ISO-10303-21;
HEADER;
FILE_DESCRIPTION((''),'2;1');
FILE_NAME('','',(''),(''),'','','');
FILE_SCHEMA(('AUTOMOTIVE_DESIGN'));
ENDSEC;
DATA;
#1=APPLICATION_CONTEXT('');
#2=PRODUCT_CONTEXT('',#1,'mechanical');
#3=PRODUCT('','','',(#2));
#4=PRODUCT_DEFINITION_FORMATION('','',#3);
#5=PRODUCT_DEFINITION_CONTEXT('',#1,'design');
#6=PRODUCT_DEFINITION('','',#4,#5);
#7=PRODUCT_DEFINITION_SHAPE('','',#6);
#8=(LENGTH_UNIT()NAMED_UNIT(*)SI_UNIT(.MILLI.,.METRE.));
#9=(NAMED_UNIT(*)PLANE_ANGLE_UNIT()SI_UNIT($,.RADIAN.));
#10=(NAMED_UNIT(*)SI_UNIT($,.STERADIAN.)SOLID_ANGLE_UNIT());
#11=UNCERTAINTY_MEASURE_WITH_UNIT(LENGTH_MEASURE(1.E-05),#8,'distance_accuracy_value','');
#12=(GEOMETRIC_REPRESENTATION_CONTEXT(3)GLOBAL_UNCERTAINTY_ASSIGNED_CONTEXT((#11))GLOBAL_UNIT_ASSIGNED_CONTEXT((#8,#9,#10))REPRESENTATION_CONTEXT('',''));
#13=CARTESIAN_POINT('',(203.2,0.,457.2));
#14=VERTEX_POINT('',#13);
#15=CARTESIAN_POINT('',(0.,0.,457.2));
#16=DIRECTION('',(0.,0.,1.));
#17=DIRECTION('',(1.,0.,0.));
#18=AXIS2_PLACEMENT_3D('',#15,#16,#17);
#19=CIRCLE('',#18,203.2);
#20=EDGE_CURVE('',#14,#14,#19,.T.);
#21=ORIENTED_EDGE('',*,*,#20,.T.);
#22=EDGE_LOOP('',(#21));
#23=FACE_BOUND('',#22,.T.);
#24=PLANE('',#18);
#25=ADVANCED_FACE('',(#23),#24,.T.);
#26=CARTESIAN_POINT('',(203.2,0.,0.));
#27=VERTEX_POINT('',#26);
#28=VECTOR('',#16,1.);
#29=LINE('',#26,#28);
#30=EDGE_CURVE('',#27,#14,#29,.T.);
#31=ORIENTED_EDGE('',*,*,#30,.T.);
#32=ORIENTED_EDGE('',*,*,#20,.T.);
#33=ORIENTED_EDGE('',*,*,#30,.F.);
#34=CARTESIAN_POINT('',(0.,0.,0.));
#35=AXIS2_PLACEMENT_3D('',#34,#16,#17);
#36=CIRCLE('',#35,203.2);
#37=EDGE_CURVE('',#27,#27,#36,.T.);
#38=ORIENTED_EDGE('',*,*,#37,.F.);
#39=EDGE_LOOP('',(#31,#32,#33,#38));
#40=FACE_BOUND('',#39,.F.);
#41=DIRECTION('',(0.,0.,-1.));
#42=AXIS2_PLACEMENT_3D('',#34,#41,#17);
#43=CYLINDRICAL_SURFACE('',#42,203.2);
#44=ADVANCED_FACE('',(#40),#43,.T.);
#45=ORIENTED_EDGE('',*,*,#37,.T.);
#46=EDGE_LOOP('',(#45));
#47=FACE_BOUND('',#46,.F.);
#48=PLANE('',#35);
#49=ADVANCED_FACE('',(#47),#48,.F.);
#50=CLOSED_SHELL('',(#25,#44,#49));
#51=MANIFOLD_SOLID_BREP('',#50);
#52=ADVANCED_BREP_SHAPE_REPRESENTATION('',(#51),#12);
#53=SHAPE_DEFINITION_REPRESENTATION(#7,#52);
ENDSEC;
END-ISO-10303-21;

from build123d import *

# Parameters (mm, degrees)
CYLINDER_R     = 203.2
CYLINDER_DEPTH = 457.2


with BuildPart() as part:
    # Cylinder → Cylinder (new body)
    with BuildSketch(Plane.XY):
        Circle(CYLINDER_R)
    extrude(amount=CYLINDER_DEPTH)


solid = part.part
